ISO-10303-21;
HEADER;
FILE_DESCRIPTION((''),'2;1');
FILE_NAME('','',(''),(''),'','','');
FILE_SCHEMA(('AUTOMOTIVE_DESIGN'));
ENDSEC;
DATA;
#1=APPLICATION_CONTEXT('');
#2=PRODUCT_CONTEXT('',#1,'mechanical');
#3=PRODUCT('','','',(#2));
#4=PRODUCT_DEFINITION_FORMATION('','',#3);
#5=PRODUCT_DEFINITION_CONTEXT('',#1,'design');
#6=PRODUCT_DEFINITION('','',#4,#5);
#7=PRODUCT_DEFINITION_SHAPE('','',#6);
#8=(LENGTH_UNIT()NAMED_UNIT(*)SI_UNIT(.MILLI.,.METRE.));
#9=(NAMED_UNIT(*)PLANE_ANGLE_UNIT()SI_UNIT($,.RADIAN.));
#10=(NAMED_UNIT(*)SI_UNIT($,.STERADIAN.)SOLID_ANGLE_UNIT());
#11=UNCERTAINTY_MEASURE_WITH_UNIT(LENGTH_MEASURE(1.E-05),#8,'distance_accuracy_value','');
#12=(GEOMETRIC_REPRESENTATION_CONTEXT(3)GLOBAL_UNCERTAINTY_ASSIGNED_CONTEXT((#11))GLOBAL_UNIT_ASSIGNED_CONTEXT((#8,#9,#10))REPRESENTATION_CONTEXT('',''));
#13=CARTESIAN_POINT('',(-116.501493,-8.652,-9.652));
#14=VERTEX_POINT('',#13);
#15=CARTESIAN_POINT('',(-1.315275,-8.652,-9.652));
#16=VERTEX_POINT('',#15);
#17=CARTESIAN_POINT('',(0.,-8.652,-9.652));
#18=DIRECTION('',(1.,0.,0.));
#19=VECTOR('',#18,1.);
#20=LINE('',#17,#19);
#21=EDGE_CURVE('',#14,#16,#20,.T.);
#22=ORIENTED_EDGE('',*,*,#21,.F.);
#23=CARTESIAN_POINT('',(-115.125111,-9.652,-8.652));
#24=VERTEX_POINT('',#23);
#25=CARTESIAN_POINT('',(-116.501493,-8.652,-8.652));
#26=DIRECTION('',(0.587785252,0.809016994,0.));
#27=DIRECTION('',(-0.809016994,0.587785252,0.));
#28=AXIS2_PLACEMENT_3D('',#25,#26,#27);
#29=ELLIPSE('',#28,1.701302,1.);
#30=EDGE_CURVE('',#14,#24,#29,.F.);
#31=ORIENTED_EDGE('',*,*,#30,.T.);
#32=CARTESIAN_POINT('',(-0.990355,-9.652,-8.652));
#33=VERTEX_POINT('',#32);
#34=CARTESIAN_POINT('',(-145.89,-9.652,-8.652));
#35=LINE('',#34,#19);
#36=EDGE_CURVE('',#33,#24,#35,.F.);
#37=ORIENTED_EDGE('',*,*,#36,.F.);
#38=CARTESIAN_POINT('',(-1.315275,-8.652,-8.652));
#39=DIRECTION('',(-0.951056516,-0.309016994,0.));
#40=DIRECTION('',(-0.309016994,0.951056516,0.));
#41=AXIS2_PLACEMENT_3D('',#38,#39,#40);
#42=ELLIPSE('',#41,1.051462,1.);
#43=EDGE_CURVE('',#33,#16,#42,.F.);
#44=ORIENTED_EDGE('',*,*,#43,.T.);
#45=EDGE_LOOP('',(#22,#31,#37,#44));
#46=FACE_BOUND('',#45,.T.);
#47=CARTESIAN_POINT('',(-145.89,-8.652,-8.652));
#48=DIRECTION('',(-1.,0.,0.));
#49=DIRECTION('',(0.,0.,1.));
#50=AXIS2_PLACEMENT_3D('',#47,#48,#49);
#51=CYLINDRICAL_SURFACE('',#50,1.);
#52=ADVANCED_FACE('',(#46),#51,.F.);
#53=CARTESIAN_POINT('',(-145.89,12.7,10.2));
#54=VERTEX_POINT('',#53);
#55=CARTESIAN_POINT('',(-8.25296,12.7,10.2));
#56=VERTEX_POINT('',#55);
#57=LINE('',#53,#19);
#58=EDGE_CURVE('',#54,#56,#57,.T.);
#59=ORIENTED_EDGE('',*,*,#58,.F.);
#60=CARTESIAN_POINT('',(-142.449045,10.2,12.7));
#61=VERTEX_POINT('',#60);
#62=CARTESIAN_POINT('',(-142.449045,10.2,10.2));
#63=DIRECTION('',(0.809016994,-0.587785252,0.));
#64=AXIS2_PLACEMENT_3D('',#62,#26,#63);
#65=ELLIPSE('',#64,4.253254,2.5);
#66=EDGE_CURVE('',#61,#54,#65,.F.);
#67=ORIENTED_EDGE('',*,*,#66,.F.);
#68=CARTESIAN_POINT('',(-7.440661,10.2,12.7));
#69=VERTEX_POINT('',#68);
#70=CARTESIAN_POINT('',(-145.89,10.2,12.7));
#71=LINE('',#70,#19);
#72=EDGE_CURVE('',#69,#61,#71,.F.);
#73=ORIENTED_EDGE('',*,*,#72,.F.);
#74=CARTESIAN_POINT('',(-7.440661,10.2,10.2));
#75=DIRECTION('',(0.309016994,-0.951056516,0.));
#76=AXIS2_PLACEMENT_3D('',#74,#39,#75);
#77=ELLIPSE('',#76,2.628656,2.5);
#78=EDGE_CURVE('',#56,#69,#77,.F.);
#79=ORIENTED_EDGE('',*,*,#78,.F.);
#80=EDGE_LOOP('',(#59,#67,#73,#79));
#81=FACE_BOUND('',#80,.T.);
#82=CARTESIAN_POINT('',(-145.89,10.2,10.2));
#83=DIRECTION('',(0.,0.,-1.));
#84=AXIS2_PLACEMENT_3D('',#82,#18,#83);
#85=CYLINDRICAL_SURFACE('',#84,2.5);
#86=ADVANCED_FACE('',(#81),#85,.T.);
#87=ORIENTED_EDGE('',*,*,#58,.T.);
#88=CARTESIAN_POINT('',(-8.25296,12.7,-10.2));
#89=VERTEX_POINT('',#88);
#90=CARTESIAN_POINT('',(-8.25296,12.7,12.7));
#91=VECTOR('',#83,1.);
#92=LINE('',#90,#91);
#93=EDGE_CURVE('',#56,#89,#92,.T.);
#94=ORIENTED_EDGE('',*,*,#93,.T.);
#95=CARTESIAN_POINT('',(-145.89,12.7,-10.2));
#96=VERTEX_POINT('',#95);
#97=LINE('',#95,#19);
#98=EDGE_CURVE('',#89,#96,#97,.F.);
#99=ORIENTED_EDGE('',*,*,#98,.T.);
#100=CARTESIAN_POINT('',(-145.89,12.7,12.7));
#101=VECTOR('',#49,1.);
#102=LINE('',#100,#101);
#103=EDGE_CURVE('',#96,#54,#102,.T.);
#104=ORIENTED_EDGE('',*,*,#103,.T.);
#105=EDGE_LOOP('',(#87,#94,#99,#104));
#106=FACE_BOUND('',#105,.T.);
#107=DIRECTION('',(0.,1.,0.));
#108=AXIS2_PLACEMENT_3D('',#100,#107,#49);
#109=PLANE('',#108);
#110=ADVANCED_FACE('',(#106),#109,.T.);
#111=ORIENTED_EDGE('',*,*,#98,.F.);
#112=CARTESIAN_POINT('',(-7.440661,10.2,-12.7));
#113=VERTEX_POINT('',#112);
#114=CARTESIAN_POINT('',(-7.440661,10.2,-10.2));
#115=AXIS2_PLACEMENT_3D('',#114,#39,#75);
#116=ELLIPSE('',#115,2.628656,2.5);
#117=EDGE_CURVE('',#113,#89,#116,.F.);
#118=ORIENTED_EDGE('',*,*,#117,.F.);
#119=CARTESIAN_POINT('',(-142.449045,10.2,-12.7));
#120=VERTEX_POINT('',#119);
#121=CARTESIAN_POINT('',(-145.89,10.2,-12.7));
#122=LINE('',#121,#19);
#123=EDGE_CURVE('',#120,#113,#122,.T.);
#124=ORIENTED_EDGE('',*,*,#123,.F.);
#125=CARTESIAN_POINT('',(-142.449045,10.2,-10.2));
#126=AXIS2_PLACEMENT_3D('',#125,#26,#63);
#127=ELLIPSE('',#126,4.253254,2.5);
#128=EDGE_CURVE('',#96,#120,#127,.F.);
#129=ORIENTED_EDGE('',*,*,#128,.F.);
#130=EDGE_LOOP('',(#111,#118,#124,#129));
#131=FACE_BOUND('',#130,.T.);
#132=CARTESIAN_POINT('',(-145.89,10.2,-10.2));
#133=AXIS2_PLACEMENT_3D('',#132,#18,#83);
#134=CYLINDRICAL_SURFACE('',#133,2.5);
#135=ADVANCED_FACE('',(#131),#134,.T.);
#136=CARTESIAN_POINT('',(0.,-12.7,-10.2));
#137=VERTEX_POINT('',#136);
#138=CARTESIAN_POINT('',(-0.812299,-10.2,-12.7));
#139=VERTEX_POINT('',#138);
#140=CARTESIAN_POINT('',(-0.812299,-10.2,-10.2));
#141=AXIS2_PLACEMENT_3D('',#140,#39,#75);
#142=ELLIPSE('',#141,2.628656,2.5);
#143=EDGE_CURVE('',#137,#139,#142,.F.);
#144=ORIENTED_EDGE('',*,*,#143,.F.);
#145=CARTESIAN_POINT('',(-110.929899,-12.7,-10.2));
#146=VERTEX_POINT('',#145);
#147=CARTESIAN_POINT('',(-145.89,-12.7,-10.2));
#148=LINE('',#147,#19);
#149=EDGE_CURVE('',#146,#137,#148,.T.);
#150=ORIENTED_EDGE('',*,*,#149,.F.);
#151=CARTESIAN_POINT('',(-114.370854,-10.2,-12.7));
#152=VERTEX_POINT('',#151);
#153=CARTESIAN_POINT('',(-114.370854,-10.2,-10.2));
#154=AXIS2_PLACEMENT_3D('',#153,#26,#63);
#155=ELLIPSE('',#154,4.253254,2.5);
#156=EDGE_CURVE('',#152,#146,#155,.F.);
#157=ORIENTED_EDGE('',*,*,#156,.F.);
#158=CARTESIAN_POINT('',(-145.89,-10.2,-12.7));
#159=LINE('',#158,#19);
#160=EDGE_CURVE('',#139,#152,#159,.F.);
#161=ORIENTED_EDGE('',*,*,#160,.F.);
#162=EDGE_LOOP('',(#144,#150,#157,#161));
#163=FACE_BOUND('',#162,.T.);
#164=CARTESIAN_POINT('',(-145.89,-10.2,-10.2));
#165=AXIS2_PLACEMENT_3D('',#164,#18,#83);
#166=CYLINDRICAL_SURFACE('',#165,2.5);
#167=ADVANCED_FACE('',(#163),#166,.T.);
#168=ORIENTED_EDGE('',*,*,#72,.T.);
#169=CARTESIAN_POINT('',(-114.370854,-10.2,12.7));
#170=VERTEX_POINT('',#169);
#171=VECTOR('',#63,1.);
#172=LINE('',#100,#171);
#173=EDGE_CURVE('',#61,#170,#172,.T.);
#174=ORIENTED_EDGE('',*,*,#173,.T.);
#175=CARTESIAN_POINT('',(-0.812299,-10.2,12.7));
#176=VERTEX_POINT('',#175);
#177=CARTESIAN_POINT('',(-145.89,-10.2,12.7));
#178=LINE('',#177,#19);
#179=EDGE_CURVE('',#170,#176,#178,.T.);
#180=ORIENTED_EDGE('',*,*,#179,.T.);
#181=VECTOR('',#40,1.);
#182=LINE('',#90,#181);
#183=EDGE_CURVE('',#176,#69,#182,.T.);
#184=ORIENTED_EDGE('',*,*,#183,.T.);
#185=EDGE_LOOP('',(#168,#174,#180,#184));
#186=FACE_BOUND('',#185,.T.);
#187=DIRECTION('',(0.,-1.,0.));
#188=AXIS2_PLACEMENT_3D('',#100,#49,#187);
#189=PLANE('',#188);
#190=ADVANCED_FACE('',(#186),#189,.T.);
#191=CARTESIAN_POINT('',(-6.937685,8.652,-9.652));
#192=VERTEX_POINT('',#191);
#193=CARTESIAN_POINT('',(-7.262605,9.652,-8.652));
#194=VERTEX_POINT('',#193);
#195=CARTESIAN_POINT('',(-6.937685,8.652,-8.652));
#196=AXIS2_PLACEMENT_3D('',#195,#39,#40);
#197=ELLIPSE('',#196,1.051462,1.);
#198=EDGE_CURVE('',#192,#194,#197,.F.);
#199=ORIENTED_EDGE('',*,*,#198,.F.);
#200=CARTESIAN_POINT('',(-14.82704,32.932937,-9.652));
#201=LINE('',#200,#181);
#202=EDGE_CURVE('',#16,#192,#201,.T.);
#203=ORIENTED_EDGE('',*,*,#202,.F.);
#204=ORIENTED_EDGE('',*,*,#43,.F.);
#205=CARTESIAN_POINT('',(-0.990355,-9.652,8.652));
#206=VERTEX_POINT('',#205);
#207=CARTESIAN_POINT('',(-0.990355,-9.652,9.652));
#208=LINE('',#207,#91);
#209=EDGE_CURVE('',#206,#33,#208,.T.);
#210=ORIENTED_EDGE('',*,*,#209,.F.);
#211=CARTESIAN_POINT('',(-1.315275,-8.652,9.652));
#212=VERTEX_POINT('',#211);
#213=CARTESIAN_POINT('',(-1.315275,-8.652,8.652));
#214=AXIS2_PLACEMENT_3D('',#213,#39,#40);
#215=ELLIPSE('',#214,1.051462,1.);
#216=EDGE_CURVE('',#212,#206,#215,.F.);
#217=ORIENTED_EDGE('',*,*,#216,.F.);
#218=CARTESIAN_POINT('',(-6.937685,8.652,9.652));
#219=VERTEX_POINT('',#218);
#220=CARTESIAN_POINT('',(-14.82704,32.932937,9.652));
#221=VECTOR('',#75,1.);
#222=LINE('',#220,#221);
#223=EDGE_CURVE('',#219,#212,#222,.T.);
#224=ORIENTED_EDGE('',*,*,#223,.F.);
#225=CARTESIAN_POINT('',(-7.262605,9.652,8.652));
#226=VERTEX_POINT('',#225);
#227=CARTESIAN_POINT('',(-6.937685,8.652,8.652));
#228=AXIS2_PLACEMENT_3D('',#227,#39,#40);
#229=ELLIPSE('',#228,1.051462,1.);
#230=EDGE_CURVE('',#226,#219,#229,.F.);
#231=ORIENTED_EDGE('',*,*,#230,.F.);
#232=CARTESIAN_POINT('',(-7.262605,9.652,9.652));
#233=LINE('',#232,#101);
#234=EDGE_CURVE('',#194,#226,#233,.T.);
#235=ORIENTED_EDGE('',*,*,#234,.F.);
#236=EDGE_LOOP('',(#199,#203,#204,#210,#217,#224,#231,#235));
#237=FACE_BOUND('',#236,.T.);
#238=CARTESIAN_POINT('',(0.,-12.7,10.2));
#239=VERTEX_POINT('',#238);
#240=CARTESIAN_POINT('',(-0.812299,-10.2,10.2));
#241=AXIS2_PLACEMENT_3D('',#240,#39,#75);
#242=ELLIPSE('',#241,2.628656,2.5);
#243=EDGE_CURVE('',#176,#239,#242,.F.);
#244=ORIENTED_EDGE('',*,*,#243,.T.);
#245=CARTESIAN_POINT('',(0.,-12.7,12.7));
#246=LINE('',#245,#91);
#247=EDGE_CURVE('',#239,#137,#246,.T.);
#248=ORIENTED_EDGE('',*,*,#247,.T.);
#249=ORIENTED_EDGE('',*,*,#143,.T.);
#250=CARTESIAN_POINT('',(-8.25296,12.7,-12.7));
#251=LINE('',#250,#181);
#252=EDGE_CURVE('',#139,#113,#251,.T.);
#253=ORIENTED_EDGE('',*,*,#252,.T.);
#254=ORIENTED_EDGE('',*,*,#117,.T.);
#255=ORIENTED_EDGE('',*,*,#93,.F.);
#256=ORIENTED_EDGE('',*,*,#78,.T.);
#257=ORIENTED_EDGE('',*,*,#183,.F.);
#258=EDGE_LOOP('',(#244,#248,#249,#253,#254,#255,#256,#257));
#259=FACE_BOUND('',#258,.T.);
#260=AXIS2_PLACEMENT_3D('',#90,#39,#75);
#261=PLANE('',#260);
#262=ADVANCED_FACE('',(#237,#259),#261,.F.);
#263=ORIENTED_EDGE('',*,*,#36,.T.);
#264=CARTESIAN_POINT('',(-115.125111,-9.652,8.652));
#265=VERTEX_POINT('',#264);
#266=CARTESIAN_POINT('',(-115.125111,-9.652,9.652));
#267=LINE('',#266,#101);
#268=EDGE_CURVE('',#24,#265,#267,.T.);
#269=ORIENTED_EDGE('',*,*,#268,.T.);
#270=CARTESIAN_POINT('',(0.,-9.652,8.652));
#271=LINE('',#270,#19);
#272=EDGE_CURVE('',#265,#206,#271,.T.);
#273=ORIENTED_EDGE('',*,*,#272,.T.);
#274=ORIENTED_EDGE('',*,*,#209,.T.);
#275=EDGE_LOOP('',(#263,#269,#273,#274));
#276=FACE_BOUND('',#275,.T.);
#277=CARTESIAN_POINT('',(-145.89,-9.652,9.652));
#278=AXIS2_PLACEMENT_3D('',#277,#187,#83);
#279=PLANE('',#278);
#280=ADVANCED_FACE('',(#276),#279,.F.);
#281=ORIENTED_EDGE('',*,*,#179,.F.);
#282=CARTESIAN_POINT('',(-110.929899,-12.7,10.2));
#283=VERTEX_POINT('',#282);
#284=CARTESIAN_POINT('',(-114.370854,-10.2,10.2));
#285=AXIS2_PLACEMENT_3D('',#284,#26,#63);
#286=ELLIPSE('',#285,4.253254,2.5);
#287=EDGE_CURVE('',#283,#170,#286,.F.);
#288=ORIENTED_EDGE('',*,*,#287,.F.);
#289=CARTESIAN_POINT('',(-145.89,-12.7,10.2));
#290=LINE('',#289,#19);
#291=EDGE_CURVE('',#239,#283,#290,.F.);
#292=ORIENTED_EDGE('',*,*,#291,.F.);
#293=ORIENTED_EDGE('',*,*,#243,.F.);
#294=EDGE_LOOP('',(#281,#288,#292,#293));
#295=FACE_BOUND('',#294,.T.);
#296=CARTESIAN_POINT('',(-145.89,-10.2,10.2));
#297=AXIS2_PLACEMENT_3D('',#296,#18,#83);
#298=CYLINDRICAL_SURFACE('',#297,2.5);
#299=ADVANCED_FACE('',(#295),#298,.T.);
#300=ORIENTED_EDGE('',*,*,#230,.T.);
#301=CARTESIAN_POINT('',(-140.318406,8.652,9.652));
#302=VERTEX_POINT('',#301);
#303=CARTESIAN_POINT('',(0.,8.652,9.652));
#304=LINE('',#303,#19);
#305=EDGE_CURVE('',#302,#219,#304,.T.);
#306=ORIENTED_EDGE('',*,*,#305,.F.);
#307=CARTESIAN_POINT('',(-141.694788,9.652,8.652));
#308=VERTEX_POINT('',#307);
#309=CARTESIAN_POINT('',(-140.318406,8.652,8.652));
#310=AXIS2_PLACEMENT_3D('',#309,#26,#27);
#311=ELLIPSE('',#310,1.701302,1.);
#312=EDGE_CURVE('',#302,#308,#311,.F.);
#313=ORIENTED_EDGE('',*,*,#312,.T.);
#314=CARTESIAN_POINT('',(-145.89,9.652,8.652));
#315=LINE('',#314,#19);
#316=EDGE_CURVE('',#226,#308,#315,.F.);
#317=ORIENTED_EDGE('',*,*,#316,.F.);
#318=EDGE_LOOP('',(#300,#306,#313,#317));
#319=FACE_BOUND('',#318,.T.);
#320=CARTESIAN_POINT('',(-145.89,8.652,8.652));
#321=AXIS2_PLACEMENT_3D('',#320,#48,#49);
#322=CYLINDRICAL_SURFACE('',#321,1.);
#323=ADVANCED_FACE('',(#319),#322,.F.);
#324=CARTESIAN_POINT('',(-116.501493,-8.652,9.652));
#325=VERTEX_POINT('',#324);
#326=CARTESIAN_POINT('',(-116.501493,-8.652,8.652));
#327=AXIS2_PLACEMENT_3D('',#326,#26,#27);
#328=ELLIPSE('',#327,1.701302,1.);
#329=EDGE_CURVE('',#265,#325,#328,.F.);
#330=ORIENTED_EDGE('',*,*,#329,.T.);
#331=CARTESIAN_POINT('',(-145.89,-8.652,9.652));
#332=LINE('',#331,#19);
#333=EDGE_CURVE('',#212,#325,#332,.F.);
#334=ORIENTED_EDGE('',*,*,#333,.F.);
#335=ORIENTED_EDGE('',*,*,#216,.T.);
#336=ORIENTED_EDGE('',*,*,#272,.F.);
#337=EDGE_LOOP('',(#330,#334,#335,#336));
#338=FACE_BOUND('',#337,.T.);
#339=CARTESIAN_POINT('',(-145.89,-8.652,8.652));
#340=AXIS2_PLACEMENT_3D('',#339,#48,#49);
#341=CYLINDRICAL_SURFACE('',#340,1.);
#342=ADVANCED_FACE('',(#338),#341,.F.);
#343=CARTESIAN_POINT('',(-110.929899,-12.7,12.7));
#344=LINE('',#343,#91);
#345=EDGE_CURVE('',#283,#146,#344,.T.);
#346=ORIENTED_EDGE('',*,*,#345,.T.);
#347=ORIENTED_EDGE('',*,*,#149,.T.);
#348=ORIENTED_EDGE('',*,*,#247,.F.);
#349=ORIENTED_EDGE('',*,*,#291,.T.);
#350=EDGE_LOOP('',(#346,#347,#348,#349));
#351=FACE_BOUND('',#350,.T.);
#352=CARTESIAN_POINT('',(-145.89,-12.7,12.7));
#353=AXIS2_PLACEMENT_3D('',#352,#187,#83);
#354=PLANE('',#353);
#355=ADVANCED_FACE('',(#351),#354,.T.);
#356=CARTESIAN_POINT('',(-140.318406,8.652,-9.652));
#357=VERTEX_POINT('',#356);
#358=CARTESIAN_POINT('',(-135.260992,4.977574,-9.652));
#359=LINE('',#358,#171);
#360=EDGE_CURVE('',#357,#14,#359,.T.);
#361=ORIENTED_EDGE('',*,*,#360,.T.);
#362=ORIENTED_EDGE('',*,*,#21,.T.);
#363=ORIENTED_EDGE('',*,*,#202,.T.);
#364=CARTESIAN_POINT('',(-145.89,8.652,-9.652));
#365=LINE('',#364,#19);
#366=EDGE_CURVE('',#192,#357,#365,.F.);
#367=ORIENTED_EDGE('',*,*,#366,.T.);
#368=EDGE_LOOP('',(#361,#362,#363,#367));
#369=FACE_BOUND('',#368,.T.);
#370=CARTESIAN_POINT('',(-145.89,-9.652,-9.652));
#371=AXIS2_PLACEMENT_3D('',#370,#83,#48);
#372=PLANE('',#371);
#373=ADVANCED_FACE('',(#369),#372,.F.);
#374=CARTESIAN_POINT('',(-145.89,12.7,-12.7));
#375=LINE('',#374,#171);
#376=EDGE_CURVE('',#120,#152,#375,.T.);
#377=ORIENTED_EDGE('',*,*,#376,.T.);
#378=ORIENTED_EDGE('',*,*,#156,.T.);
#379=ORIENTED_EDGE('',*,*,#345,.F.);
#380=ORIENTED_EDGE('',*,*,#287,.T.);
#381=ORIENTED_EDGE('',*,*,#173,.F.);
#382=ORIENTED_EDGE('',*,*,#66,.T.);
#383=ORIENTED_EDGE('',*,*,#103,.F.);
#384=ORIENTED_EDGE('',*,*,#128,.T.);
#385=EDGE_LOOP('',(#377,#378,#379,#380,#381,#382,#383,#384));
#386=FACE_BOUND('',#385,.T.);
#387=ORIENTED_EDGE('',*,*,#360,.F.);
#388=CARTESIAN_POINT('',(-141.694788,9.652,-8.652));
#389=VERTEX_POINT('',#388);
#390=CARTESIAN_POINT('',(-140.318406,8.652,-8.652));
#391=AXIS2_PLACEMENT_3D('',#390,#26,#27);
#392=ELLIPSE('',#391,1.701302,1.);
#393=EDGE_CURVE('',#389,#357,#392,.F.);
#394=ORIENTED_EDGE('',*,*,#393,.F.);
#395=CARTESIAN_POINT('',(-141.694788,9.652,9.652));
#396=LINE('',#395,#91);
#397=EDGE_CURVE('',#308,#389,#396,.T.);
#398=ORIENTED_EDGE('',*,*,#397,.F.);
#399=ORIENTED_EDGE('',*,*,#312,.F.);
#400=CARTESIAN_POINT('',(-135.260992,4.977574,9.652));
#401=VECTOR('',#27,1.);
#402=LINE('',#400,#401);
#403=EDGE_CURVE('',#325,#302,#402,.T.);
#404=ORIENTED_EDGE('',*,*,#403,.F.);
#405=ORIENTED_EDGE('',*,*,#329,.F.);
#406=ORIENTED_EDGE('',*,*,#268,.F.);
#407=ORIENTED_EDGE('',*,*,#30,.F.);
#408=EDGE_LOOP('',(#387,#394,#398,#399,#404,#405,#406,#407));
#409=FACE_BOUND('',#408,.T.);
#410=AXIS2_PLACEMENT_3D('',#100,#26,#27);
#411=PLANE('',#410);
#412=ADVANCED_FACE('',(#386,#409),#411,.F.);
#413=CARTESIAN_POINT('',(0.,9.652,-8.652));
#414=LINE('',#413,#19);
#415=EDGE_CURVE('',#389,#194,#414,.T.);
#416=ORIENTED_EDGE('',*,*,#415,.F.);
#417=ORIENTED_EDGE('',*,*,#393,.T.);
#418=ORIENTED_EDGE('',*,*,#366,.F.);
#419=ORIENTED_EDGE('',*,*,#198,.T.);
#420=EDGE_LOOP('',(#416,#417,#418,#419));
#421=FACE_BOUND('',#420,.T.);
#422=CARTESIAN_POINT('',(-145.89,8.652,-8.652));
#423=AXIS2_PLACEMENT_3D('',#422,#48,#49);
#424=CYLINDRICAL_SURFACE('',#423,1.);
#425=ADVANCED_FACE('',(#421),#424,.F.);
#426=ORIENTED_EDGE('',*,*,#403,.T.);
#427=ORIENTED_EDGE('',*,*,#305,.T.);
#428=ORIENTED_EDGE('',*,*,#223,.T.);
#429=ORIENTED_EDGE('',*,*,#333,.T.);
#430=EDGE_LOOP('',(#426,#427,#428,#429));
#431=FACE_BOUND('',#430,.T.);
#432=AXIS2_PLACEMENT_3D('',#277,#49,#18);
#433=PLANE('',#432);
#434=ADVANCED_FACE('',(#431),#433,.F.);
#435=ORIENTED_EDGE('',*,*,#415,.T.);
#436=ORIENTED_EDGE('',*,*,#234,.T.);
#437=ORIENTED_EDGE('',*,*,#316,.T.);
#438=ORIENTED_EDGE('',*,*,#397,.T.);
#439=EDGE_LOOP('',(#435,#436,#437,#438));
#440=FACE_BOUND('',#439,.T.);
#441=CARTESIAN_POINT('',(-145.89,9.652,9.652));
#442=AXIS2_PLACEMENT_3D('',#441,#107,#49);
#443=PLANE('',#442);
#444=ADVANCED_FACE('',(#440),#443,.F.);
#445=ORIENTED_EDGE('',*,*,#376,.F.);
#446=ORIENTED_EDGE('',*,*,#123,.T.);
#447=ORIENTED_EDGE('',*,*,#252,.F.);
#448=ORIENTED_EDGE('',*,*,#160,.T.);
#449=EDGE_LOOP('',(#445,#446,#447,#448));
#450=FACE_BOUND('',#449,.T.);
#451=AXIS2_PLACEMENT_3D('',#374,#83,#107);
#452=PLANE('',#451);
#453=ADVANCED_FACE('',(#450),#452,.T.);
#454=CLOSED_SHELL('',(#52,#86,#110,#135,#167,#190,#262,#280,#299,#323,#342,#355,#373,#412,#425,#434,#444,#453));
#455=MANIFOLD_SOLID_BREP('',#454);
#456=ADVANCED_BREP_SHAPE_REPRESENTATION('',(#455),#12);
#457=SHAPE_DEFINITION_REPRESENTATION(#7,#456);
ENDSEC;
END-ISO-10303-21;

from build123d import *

# Parameters (mm, degrees)
SKETCH3_W           = 25.4
SKETCH3_H           = 25.4
SKETCH3_W_2         = 19.304
SKETCH3_H_2         = 19.304
BOSS_EXTRUDE1_DEPTH = 145.89
FILLET1_R           = 2.5
FILLET2_R           = 1
CUT_EXTRUDE1_DEPTH  = 149.628200891


with BuildPart() as part:
    # Sketch3 → Boss-Extrude1 (new body)
    with BuildSketch(Plane(origin=(0, 0, 0), x_dir=(0, 0, -1), z_dir=(1, 0, 0))):
        Rectangle(SKETCH3_W, SKETCH3_H)
        Rectangle(SKETCH3_W_2, SKETCH3_H_2, mode=Mode.SUBTRACT)
    extrude(amount=-BOSS_EXTRUDE1_DEPTH)

    # Fillet1
    fillet1_edges = [part.edges().sort_by_distance(p)[0] for p in [
        (-72.945, -12.7, -12.7),
        (-72.945, -12.7, 12.7),
        (-72.945, 12.7, 12.7),
        (-72.945, 12.7, -12.7),
    ]]
    fillet(fillet1_edges, radius=FILLET1_R)

    # Fillet2
    fillet2_edges = [part.edges().sort_by_distance(p)[0] for p in [
        (-72.945, 9.652, -9.652),
        (-72.945, -9.652, -9.652),
        (-72.945, -9.652, 9.652),
        (-72.945, 9.652, 9.652),
    ]]
    fillet(fillet2_edges, radius=FILLET2_R)

    # Sketch5 → Cut-Extrude1 (cut, through all)
    with BuildSketch(Plane(origin=(0, 0, -12.7), x_dir=(-1, 0, 0), z_dir=(0, 0, -1))):
        Polygon((145.89, 12.7), (110.92989922, -12.7), (145.89, -12.7), align=None)
        Polygon((0, 12.7), (8.252960284, 12.7), (0, -12.7), align=None)
    extrude(amount=-CUT_EXTRUDE1_DEPTH, mode=Mode.SUBTRACT)


solid = part.part
